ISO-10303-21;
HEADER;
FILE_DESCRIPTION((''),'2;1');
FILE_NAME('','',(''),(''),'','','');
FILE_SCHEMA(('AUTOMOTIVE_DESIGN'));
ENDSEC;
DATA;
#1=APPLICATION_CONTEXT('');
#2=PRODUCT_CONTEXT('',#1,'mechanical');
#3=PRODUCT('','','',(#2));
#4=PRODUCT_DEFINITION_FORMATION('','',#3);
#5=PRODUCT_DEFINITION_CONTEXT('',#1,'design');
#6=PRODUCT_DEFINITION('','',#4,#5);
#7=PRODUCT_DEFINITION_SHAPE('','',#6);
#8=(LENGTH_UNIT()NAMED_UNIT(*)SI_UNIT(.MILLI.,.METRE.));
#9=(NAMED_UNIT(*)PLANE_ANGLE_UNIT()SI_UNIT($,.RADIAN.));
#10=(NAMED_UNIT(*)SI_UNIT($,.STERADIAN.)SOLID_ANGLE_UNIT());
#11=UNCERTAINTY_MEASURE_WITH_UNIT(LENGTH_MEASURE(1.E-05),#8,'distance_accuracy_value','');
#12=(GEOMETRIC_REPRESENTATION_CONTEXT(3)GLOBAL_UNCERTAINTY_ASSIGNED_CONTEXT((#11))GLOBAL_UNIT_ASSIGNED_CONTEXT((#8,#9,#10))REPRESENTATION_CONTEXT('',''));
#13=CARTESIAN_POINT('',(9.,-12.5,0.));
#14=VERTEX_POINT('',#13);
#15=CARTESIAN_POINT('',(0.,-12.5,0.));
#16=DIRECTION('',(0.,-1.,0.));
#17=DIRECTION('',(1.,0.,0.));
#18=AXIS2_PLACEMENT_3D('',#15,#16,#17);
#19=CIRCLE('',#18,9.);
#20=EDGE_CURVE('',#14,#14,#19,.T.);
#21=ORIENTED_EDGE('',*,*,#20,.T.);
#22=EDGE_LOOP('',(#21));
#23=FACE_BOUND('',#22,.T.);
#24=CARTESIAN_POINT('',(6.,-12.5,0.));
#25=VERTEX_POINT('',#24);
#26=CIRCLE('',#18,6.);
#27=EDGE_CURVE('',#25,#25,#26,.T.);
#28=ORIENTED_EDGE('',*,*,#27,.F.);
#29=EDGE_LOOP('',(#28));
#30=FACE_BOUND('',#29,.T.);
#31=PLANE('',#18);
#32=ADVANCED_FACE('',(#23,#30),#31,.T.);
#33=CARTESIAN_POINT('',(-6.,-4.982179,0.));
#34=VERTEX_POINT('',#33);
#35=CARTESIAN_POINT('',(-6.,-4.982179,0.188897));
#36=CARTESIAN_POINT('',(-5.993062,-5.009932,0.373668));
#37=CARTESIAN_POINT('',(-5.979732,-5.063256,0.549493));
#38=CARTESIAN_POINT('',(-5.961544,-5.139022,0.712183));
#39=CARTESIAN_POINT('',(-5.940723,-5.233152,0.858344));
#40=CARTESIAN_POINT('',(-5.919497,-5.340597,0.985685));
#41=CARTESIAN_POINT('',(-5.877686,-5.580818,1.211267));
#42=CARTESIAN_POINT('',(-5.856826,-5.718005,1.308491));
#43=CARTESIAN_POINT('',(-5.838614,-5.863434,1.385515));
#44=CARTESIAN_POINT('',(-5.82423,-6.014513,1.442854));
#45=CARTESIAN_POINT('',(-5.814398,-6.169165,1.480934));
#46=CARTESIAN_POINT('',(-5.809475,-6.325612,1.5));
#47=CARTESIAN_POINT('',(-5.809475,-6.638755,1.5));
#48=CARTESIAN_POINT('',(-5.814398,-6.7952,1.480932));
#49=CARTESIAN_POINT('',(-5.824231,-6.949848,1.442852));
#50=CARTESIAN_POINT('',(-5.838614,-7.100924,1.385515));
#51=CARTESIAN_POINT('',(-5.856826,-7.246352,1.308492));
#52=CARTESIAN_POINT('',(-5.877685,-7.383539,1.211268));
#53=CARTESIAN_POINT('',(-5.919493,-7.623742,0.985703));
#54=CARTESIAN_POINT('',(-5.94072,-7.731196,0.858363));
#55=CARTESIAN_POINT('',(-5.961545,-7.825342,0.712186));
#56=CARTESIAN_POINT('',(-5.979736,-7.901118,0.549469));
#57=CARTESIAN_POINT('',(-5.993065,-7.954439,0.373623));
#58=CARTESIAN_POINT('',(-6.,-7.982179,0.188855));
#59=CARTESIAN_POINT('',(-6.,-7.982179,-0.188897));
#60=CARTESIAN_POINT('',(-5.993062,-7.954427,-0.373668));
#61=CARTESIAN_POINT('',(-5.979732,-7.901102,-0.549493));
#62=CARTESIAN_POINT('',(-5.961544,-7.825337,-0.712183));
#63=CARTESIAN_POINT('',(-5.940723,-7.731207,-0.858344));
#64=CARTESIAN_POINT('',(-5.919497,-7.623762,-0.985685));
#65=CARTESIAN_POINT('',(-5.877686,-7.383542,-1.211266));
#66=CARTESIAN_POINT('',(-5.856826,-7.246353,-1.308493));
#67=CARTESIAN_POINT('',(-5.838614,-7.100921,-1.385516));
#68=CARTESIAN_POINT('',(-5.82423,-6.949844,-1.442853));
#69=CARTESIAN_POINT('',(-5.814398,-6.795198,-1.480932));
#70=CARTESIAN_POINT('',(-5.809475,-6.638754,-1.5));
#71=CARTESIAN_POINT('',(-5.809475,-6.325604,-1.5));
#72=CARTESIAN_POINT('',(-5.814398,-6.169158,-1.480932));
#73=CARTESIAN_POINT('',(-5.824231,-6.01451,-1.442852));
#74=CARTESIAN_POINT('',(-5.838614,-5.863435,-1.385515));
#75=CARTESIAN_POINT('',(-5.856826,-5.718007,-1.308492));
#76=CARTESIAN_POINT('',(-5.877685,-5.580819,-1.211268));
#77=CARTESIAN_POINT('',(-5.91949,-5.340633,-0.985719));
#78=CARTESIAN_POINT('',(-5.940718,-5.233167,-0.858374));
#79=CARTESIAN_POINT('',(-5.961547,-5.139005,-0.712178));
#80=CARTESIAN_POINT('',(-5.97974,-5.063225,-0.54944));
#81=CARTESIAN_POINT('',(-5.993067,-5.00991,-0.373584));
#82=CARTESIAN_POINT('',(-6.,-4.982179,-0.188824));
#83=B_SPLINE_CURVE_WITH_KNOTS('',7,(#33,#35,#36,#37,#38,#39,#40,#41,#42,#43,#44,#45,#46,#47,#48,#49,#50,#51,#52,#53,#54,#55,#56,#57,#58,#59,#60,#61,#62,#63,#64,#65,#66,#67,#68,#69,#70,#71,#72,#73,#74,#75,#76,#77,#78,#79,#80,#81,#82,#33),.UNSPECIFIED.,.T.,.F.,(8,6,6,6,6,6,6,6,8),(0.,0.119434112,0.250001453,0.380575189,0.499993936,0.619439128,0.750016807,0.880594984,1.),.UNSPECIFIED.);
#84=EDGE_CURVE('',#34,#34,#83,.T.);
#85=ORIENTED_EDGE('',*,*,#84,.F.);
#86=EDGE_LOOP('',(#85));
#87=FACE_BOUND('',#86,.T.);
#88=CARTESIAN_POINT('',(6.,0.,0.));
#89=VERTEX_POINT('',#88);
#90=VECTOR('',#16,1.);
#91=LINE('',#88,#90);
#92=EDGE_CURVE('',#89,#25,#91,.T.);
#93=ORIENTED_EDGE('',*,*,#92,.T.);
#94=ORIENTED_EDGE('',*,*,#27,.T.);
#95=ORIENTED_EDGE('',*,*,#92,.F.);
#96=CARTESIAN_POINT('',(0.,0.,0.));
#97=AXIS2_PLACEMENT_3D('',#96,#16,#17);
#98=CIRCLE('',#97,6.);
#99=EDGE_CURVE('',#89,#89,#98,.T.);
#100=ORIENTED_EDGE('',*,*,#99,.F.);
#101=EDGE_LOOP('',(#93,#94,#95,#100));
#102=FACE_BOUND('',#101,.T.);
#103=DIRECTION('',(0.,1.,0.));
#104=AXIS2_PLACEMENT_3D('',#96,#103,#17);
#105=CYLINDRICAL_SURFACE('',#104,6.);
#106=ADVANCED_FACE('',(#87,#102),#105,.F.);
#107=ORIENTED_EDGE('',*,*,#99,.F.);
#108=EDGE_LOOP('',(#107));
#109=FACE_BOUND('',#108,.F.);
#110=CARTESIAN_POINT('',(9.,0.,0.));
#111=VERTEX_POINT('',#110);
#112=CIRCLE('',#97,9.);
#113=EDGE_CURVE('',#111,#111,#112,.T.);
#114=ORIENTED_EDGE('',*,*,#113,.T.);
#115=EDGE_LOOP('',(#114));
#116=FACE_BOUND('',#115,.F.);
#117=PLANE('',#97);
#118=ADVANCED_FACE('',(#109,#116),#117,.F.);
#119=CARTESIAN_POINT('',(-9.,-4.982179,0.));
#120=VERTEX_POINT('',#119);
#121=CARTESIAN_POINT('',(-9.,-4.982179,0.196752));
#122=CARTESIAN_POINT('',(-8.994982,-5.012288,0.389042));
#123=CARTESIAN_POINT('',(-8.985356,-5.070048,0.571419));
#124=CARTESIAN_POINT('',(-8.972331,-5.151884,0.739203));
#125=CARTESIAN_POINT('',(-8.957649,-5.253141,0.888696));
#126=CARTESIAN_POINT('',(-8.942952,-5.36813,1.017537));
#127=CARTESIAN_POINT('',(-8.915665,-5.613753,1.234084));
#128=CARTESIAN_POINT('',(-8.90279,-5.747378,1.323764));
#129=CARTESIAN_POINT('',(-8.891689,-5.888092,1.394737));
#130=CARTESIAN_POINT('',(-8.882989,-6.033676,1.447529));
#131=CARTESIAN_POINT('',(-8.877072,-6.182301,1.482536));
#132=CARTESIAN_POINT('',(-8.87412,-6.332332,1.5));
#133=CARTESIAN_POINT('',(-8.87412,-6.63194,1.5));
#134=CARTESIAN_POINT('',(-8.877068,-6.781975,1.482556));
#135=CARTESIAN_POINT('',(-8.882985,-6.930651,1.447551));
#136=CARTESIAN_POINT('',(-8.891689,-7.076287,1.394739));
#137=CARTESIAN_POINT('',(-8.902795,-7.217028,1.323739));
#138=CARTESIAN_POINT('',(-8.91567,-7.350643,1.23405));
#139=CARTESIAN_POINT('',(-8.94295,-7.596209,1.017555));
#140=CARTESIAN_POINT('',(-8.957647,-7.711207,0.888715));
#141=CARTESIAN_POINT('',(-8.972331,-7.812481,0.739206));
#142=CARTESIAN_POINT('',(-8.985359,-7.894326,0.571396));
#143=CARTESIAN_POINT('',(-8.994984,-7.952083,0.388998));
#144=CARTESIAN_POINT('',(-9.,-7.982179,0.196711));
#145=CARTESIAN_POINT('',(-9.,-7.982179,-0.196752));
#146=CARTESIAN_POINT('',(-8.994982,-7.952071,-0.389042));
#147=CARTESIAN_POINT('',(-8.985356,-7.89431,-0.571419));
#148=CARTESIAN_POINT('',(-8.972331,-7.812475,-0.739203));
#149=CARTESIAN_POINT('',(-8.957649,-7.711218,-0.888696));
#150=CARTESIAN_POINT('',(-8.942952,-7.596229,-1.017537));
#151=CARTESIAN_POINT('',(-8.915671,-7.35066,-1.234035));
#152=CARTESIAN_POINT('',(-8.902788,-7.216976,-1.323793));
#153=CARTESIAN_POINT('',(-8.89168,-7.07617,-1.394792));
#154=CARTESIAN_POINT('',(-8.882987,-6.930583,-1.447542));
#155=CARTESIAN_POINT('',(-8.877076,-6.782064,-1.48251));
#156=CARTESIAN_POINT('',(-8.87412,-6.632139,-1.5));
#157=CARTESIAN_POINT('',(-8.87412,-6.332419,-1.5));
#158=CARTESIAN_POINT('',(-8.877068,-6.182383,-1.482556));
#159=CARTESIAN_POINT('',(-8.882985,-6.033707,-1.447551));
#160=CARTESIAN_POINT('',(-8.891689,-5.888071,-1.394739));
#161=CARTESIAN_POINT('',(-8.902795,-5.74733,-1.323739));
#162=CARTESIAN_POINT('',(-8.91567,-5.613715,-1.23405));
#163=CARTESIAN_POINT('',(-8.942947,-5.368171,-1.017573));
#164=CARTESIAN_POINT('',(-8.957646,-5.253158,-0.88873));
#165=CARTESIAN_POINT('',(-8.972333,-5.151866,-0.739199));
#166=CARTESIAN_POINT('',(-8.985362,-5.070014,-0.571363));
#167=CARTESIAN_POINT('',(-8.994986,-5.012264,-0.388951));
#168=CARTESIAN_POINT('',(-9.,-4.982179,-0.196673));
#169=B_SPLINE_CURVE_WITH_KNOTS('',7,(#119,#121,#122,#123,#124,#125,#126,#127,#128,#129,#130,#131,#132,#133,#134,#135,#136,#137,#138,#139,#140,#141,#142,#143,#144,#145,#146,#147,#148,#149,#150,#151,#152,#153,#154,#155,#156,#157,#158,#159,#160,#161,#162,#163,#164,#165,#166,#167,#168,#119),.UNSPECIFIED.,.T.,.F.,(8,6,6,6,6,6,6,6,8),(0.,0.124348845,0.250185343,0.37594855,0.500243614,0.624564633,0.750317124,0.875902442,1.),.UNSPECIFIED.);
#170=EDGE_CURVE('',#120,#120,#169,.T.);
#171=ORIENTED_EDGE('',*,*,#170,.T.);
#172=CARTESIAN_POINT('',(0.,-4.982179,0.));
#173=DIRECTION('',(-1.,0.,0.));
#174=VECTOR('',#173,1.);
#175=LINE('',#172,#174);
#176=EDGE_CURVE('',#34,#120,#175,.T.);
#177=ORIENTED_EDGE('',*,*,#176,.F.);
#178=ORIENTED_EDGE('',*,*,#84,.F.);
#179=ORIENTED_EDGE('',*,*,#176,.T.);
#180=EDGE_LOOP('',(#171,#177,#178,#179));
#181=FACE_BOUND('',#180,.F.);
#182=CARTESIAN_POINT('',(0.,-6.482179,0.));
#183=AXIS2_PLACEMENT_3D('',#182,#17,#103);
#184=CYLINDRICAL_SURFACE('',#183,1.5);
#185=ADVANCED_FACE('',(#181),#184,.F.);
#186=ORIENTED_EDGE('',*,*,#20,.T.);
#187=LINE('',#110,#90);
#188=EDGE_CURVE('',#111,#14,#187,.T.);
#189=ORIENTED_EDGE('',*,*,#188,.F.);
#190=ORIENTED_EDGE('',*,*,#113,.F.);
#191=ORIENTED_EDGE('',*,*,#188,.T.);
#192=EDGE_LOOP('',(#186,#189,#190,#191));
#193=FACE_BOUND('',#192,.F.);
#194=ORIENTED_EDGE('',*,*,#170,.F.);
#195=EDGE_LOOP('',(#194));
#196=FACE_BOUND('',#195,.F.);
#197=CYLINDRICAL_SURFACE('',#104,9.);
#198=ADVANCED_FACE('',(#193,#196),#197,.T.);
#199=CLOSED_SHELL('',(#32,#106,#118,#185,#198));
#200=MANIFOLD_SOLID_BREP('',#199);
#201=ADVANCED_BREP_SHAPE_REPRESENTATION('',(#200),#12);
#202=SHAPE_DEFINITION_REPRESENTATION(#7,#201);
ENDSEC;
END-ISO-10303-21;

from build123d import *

# Parameters (mm, degrees)
F0_R     = 9
F0_R_2   = 6
F1_DEPTH = 12.5
F3_D     = 3
F3_DEPTH = 12
F3_TIP   = 0.9012909285


with BuildPart() as f1:
    # F0 (on Front) → F1 (new body)
    with BuildSketch(Plane.XZ):
        Circle(F0_R)
        Circle(F0_R_2, mode=Mode.SUBTRACT)
    extrude(amount=F1_DEPTH)

    # F3 (one way)
    with BuildSketch(Plane.YZ):
        with Locations((-6.4821792766, 0)):
            Circle(F3_D / 2)
    extrude(amount=-F3_DEPTH, mode=Mode.SUBTRACT)
    with Locations(Plane.YZ):
        with Locations((-6.4821792766, 0)):
            with Locations((0, 0, -(F3_DEPTH + F3_TIP / 2))):  # 118° drill point
                Cone(0, F3_D / 2, F3_TIP, mode=Mode.SUBTRACT)


solid = f1.part
